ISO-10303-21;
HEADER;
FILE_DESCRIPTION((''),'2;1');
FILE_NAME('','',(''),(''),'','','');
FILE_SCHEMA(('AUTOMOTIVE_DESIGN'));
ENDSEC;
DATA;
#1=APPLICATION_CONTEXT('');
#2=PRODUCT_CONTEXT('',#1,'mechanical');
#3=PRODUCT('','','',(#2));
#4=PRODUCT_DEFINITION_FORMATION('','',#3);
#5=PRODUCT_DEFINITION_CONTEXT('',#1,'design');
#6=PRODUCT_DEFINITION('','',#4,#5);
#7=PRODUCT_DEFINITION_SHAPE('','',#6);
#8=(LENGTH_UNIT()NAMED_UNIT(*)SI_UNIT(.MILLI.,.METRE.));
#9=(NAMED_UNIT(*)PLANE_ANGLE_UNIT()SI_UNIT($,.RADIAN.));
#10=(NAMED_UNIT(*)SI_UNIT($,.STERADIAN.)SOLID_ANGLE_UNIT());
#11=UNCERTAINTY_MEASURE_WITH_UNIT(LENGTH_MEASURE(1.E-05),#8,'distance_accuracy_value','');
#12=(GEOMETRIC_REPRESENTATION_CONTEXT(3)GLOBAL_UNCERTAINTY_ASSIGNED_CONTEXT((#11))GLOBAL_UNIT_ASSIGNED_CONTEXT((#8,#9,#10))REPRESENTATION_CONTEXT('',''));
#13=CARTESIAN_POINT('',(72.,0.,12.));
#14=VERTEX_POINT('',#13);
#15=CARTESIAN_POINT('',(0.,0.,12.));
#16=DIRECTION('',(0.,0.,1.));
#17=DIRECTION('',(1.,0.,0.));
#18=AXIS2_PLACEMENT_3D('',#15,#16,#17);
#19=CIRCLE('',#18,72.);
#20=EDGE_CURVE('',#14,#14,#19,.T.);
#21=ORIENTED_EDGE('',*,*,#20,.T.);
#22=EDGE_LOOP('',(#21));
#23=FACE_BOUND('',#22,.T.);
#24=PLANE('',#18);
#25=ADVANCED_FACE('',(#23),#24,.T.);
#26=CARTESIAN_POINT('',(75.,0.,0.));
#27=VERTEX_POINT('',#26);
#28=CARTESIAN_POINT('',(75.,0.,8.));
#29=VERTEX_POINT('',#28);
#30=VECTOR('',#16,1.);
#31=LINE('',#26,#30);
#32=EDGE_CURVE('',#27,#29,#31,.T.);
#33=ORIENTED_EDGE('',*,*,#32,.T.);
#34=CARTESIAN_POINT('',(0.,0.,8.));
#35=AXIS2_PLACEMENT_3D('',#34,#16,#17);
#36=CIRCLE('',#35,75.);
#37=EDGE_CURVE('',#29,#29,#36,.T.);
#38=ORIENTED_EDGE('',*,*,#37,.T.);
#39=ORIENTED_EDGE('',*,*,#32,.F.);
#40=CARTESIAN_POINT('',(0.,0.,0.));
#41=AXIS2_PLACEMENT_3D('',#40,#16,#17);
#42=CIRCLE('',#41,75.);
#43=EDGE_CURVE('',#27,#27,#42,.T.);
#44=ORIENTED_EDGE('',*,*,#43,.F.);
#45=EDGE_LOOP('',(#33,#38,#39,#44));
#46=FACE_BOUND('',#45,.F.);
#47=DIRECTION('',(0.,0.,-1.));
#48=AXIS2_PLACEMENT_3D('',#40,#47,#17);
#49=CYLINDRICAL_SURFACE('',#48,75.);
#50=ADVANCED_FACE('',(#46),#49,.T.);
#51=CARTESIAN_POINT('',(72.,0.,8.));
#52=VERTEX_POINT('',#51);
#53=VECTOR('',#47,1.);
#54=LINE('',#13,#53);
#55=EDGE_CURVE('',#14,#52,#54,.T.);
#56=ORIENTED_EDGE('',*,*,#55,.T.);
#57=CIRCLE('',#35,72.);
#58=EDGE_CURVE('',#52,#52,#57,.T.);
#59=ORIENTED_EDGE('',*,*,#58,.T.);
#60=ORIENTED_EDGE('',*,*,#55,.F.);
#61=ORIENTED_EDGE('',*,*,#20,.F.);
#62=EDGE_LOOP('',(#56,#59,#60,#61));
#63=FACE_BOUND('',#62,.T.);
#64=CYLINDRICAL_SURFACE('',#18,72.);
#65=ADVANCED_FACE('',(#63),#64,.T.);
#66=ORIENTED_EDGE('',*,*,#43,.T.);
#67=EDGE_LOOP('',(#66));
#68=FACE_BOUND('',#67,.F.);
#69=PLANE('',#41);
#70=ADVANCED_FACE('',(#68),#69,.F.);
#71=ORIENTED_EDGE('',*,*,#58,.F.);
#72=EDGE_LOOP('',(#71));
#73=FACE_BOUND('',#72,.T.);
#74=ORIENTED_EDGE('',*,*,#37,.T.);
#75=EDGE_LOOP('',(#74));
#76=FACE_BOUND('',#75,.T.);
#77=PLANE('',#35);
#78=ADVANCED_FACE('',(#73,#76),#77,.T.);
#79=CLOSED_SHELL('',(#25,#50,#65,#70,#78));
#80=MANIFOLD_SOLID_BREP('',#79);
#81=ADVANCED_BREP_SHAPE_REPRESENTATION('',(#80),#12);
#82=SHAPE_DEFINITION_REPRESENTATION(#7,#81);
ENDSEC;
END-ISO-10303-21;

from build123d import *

# Parameters (mm, degrees)
F0_R     = 75
F2_DEPTH = 12
F3_R     = 75
F3_R_2   = 72
F4_DEPTH = 4


with BuildPart() as f2:
    # F0 (on Top) → F2 (new body)
    with BuildSketch(Plane.XY):
        Circle(F0_R)
    extrude(amount=F2_DEPTH)

    # F3 (on face) → F4 (cut)
    with BuildSketch(Plane.XY.offset(12)):
        Circle(F3_R)
        Circle(F3_R_2, mode=Mode.SUBTRACT)
    extrude(amount=-F4_DEPTH, mode=Mode.SUBTRACT)


solid = f2.part
